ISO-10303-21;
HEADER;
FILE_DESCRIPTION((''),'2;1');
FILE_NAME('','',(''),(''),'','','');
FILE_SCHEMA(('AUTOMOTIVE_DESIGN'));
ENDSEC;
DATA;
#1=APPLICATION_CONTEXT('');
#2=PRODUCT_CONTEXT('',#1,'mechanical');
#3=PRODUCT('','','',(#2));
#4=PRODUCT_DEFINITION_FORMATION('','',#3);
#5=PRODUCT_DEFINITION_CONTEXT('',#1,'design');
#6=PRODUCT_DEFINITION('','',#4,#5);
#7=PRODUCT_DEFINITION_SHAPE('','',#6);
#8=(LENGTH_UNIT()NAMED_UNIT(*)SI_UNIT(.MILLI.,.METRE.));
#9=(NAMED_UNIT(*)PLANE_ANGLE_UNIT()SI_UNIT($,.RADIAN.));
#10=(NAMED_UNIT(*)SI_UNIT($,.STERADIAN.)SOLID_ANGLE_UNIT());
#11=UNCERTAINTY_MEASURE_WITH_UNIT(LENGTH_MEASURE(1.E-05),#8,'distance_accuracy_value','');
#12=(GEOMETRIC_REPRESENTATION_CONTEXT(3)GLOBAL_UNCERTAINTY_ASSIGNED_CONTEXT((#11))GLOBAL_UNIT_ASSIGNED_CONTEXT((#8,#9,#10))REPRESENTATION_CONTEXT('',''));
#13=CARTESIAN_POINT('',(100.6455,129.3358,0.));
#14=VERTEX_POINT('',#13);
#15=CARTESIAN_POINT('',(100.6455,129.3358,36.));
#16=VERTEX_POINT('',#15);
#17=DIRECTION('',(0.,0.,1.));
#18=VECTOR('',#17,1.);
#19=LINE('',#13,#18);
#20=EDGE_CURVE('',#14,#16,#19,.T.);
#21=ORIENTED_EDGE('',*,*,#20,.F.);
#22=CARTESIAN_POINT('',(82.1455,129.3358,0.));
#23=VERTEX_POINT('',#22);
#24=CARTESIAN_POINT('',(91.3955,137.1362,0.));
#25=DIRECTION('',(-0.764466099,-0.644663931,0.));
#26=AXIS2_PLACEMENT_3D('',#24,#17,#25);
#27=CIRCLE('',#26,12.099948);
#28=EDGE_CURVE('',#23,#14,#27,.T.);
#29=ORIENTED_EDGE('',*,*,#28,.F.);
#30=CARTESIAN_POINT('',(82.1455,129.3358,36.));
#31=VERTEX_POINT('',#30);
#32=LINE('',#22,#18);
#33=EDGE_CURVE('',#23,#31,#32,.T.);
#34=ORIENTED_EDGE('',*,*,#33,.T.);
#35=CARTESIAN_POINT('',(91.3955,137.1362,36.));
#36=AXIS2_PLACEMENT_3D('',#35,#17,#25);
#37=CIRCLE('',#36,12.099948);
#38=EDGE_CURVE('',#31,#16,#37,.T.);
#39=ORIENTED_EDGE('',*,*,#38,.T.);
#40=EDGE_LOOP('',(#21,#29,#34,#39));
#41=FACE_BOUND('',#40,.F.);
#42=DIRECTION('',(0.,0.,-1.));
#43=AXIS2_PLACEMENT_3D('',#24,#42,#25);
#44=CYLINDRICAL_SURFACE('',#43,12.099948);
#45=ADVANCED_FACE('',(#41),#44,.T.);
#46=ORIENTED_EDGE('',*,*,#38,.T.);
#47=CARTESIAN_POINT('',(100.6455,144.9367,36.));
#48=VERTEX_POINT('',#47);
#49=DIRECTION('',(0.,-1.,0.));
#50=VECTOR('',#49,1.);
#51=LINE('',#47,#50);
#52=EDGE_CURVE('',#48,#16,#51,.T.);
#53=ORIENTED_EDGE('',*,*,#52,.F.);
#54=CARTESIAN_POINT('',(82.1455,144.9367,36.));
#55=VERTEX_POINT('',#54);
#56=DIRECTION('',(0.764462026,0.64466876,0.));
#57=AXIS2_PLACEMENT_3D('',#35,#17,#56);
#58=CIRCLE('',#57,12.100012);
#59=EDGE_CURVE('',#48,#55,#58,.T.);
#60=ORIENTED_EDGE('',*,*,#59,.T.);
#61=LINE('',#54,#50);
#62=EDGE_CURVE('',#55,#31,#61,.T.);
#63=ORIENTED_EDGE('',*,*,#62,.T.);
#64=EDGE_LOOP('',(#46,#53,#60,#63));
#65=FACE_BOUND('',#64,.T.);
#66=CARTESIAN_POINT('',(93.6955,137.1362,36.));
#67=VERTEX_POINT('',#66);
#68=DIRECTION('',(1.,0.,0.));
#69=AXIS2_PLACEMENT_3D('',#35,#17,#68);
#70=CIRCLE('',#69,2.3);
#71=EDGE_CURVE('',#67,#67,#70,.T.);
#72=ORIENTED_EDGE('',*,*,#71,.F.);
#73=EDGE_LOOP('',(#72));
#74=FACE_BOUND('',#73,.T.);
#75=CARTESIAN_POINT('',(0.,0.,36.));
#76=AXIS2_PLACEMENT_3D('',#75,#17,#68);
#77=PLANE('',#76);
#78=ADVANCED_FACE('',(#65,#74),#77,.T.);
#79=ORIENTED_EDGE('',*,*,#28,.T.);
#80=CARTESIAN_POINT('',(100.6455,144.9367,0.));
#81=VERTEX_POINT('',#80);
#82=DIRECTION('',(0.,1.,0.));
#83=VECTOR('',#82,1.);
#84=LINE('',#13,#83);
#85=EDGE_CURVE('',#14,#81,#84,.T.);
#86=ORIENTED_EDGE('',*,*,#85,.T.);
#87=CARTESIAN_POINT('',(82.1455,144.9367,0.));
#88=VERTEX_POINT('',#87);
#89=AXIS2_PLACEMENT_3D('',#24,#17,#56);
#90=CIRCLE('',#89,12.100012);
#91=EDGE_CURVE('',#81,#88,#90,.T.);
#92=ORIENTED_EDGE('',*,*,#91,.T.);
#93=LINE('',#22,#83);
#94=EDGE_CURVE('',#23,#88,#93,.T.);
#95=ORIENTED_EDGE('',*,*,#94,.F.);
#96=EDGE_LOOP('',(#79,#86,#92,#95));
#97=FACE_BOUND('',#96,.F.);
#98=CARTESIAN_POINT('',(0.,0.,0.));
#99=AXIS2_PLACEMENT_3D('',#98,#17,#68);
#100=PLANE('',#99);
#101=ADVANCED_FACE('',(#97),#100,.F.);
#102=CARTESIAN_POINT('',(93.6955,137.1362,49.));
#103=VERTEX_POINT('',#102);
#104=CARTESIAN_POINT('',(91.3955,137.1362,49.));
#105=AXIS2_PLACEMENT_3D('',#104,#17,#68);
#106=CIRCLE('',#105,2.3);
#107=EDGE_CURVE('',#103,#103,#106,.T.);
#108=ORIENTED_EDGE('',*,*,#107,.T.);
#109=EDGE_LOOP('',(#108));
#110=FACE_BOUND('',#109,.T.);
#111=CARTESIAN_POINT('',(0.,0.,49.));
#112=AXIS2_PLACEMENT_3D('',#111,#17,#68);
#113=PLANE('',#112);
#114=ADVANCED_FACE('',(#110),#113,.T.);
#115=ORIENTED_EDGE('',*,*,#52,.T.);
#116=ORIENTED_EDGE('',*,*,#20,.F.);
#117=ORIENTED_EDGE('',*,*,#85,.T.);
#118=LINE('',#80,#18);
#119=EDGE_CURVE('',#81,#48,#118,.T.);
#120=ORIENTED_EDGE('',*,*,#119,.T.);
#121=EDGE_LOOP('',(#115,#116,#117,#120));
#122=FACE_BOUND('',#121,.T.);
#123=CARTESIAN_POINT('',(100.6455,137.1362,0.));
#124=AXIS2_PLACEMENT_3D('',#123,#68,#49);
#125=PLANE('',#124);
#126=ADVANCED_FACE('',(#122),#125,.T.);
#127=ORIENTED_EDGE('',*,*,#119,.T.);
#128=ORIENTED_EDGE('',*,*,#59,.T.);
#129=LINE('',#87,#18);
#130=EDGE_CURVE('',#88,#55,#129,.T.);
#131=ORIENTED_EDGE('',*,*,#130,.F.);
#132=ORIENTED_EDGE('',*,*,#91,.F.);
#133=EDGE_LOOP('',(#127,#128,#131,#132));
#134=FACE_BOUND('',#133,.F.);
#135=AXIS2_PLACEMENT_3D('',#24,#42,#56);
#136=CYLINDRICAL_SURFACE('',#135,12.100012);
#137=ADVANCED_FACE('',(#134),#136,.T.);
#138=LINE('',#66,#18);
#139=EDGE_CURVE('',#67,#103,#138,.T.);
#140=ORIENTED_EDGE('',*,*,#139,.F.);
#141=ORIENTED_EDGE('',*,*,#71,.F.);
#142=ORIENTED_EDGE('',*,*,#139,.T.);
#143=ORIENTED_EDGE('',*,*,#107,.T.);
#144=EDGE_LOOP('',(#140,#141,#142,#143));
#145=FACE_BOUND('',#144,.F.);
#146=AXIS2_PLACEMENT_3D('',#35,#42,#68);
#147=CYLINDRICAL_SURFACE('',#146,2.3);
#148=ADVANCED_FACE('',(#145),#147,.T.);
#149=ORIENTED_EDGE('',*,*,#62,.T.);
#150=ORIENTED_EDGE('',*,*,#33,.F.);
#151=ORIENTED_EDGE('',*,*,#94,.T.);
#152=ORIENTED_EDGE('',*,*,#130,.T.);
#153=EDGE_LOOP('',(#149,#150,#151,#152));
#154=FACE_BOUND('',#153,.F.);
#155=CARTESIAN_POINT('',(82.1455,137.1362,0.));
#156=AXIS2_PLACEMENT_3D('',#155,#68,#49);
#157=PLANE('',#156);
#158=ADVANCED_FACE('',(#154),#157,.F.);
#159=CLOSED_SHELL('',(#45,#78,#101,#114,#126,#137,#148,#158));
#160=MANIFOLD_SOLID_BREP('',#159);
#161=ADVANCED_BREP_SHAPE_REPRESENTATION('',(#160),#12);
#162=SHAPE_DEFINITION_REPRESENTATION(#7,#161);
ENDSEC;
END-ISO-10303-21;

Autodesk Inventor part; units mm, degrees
ref_plane "YZ Plane" through (0, 0, 0) normal (1, 0, 0) x (0, 1, 0)
ref_plane "XZ Plane" through (0, 0, 0) normal (0, 1, 0) x (-1, 0, 0)
ref_plane "XY Plane" through (0, 0, 0) normal (0, 0, 1) x (1, 0, 0)
sketch "Sketch1" plane through (0, 0, 0) normal (0, 0, 1) x (1, 0, 0)
  line L0 (91.3955, 137.1362) -> (100.6455, 137.1362) construction
  line L1 (100.6455, 137.1362) -> (100.6455, 129.3358)
  line L2 (100.6455, 137.1362) -> (100.6455, 144.9367)
  line L3 (91.3955, 137.1362) -> (91.3955, 122.6202) construction
  line L4 (82.1455, 137.1362) -> (82.1455, 129.3358)
  line L5 (82.1455, 137.1362) -> (82.1455, 144.9367)
  arc A0 (100.6455, 144.9367) -> (82.1455, 144.9367) centre (91.3955, 137.1362) ccw
  arc A1 (82.1455, 129.3358) -> (100.6455, 129.3358) centre (91.3955, 137.1362) ccw
  point P0 (0, 0)
  point P1 (100.6455, 120.0736)
  point P2 (100.6455, 151.3606)
  point P3 (82.1455, 120.0736)
  point P4 (82.1455, 151.3606)
  dimension "d1" = 9.25
extrude "Extrusion1" add sketch "Sketch1" along normal blind 36
sketch "Sketch2" plane through (0, 0, 36) normal (0, 0, 1) x (1, 0, 0)
  arc A0 (100.6455, 144.9367) -> (82.1455, 144.9367) centre (91.3955, 137.1362) ccw projected
  circle A1 centre (91.3955, 137.1362) radius 2.3
  point P0 (0, 0)
  dimension "d4" = 4.6
extrude "Extrusion2" add sketch "Sketch2" along normal blind 13
properties part number "motor_12v"
